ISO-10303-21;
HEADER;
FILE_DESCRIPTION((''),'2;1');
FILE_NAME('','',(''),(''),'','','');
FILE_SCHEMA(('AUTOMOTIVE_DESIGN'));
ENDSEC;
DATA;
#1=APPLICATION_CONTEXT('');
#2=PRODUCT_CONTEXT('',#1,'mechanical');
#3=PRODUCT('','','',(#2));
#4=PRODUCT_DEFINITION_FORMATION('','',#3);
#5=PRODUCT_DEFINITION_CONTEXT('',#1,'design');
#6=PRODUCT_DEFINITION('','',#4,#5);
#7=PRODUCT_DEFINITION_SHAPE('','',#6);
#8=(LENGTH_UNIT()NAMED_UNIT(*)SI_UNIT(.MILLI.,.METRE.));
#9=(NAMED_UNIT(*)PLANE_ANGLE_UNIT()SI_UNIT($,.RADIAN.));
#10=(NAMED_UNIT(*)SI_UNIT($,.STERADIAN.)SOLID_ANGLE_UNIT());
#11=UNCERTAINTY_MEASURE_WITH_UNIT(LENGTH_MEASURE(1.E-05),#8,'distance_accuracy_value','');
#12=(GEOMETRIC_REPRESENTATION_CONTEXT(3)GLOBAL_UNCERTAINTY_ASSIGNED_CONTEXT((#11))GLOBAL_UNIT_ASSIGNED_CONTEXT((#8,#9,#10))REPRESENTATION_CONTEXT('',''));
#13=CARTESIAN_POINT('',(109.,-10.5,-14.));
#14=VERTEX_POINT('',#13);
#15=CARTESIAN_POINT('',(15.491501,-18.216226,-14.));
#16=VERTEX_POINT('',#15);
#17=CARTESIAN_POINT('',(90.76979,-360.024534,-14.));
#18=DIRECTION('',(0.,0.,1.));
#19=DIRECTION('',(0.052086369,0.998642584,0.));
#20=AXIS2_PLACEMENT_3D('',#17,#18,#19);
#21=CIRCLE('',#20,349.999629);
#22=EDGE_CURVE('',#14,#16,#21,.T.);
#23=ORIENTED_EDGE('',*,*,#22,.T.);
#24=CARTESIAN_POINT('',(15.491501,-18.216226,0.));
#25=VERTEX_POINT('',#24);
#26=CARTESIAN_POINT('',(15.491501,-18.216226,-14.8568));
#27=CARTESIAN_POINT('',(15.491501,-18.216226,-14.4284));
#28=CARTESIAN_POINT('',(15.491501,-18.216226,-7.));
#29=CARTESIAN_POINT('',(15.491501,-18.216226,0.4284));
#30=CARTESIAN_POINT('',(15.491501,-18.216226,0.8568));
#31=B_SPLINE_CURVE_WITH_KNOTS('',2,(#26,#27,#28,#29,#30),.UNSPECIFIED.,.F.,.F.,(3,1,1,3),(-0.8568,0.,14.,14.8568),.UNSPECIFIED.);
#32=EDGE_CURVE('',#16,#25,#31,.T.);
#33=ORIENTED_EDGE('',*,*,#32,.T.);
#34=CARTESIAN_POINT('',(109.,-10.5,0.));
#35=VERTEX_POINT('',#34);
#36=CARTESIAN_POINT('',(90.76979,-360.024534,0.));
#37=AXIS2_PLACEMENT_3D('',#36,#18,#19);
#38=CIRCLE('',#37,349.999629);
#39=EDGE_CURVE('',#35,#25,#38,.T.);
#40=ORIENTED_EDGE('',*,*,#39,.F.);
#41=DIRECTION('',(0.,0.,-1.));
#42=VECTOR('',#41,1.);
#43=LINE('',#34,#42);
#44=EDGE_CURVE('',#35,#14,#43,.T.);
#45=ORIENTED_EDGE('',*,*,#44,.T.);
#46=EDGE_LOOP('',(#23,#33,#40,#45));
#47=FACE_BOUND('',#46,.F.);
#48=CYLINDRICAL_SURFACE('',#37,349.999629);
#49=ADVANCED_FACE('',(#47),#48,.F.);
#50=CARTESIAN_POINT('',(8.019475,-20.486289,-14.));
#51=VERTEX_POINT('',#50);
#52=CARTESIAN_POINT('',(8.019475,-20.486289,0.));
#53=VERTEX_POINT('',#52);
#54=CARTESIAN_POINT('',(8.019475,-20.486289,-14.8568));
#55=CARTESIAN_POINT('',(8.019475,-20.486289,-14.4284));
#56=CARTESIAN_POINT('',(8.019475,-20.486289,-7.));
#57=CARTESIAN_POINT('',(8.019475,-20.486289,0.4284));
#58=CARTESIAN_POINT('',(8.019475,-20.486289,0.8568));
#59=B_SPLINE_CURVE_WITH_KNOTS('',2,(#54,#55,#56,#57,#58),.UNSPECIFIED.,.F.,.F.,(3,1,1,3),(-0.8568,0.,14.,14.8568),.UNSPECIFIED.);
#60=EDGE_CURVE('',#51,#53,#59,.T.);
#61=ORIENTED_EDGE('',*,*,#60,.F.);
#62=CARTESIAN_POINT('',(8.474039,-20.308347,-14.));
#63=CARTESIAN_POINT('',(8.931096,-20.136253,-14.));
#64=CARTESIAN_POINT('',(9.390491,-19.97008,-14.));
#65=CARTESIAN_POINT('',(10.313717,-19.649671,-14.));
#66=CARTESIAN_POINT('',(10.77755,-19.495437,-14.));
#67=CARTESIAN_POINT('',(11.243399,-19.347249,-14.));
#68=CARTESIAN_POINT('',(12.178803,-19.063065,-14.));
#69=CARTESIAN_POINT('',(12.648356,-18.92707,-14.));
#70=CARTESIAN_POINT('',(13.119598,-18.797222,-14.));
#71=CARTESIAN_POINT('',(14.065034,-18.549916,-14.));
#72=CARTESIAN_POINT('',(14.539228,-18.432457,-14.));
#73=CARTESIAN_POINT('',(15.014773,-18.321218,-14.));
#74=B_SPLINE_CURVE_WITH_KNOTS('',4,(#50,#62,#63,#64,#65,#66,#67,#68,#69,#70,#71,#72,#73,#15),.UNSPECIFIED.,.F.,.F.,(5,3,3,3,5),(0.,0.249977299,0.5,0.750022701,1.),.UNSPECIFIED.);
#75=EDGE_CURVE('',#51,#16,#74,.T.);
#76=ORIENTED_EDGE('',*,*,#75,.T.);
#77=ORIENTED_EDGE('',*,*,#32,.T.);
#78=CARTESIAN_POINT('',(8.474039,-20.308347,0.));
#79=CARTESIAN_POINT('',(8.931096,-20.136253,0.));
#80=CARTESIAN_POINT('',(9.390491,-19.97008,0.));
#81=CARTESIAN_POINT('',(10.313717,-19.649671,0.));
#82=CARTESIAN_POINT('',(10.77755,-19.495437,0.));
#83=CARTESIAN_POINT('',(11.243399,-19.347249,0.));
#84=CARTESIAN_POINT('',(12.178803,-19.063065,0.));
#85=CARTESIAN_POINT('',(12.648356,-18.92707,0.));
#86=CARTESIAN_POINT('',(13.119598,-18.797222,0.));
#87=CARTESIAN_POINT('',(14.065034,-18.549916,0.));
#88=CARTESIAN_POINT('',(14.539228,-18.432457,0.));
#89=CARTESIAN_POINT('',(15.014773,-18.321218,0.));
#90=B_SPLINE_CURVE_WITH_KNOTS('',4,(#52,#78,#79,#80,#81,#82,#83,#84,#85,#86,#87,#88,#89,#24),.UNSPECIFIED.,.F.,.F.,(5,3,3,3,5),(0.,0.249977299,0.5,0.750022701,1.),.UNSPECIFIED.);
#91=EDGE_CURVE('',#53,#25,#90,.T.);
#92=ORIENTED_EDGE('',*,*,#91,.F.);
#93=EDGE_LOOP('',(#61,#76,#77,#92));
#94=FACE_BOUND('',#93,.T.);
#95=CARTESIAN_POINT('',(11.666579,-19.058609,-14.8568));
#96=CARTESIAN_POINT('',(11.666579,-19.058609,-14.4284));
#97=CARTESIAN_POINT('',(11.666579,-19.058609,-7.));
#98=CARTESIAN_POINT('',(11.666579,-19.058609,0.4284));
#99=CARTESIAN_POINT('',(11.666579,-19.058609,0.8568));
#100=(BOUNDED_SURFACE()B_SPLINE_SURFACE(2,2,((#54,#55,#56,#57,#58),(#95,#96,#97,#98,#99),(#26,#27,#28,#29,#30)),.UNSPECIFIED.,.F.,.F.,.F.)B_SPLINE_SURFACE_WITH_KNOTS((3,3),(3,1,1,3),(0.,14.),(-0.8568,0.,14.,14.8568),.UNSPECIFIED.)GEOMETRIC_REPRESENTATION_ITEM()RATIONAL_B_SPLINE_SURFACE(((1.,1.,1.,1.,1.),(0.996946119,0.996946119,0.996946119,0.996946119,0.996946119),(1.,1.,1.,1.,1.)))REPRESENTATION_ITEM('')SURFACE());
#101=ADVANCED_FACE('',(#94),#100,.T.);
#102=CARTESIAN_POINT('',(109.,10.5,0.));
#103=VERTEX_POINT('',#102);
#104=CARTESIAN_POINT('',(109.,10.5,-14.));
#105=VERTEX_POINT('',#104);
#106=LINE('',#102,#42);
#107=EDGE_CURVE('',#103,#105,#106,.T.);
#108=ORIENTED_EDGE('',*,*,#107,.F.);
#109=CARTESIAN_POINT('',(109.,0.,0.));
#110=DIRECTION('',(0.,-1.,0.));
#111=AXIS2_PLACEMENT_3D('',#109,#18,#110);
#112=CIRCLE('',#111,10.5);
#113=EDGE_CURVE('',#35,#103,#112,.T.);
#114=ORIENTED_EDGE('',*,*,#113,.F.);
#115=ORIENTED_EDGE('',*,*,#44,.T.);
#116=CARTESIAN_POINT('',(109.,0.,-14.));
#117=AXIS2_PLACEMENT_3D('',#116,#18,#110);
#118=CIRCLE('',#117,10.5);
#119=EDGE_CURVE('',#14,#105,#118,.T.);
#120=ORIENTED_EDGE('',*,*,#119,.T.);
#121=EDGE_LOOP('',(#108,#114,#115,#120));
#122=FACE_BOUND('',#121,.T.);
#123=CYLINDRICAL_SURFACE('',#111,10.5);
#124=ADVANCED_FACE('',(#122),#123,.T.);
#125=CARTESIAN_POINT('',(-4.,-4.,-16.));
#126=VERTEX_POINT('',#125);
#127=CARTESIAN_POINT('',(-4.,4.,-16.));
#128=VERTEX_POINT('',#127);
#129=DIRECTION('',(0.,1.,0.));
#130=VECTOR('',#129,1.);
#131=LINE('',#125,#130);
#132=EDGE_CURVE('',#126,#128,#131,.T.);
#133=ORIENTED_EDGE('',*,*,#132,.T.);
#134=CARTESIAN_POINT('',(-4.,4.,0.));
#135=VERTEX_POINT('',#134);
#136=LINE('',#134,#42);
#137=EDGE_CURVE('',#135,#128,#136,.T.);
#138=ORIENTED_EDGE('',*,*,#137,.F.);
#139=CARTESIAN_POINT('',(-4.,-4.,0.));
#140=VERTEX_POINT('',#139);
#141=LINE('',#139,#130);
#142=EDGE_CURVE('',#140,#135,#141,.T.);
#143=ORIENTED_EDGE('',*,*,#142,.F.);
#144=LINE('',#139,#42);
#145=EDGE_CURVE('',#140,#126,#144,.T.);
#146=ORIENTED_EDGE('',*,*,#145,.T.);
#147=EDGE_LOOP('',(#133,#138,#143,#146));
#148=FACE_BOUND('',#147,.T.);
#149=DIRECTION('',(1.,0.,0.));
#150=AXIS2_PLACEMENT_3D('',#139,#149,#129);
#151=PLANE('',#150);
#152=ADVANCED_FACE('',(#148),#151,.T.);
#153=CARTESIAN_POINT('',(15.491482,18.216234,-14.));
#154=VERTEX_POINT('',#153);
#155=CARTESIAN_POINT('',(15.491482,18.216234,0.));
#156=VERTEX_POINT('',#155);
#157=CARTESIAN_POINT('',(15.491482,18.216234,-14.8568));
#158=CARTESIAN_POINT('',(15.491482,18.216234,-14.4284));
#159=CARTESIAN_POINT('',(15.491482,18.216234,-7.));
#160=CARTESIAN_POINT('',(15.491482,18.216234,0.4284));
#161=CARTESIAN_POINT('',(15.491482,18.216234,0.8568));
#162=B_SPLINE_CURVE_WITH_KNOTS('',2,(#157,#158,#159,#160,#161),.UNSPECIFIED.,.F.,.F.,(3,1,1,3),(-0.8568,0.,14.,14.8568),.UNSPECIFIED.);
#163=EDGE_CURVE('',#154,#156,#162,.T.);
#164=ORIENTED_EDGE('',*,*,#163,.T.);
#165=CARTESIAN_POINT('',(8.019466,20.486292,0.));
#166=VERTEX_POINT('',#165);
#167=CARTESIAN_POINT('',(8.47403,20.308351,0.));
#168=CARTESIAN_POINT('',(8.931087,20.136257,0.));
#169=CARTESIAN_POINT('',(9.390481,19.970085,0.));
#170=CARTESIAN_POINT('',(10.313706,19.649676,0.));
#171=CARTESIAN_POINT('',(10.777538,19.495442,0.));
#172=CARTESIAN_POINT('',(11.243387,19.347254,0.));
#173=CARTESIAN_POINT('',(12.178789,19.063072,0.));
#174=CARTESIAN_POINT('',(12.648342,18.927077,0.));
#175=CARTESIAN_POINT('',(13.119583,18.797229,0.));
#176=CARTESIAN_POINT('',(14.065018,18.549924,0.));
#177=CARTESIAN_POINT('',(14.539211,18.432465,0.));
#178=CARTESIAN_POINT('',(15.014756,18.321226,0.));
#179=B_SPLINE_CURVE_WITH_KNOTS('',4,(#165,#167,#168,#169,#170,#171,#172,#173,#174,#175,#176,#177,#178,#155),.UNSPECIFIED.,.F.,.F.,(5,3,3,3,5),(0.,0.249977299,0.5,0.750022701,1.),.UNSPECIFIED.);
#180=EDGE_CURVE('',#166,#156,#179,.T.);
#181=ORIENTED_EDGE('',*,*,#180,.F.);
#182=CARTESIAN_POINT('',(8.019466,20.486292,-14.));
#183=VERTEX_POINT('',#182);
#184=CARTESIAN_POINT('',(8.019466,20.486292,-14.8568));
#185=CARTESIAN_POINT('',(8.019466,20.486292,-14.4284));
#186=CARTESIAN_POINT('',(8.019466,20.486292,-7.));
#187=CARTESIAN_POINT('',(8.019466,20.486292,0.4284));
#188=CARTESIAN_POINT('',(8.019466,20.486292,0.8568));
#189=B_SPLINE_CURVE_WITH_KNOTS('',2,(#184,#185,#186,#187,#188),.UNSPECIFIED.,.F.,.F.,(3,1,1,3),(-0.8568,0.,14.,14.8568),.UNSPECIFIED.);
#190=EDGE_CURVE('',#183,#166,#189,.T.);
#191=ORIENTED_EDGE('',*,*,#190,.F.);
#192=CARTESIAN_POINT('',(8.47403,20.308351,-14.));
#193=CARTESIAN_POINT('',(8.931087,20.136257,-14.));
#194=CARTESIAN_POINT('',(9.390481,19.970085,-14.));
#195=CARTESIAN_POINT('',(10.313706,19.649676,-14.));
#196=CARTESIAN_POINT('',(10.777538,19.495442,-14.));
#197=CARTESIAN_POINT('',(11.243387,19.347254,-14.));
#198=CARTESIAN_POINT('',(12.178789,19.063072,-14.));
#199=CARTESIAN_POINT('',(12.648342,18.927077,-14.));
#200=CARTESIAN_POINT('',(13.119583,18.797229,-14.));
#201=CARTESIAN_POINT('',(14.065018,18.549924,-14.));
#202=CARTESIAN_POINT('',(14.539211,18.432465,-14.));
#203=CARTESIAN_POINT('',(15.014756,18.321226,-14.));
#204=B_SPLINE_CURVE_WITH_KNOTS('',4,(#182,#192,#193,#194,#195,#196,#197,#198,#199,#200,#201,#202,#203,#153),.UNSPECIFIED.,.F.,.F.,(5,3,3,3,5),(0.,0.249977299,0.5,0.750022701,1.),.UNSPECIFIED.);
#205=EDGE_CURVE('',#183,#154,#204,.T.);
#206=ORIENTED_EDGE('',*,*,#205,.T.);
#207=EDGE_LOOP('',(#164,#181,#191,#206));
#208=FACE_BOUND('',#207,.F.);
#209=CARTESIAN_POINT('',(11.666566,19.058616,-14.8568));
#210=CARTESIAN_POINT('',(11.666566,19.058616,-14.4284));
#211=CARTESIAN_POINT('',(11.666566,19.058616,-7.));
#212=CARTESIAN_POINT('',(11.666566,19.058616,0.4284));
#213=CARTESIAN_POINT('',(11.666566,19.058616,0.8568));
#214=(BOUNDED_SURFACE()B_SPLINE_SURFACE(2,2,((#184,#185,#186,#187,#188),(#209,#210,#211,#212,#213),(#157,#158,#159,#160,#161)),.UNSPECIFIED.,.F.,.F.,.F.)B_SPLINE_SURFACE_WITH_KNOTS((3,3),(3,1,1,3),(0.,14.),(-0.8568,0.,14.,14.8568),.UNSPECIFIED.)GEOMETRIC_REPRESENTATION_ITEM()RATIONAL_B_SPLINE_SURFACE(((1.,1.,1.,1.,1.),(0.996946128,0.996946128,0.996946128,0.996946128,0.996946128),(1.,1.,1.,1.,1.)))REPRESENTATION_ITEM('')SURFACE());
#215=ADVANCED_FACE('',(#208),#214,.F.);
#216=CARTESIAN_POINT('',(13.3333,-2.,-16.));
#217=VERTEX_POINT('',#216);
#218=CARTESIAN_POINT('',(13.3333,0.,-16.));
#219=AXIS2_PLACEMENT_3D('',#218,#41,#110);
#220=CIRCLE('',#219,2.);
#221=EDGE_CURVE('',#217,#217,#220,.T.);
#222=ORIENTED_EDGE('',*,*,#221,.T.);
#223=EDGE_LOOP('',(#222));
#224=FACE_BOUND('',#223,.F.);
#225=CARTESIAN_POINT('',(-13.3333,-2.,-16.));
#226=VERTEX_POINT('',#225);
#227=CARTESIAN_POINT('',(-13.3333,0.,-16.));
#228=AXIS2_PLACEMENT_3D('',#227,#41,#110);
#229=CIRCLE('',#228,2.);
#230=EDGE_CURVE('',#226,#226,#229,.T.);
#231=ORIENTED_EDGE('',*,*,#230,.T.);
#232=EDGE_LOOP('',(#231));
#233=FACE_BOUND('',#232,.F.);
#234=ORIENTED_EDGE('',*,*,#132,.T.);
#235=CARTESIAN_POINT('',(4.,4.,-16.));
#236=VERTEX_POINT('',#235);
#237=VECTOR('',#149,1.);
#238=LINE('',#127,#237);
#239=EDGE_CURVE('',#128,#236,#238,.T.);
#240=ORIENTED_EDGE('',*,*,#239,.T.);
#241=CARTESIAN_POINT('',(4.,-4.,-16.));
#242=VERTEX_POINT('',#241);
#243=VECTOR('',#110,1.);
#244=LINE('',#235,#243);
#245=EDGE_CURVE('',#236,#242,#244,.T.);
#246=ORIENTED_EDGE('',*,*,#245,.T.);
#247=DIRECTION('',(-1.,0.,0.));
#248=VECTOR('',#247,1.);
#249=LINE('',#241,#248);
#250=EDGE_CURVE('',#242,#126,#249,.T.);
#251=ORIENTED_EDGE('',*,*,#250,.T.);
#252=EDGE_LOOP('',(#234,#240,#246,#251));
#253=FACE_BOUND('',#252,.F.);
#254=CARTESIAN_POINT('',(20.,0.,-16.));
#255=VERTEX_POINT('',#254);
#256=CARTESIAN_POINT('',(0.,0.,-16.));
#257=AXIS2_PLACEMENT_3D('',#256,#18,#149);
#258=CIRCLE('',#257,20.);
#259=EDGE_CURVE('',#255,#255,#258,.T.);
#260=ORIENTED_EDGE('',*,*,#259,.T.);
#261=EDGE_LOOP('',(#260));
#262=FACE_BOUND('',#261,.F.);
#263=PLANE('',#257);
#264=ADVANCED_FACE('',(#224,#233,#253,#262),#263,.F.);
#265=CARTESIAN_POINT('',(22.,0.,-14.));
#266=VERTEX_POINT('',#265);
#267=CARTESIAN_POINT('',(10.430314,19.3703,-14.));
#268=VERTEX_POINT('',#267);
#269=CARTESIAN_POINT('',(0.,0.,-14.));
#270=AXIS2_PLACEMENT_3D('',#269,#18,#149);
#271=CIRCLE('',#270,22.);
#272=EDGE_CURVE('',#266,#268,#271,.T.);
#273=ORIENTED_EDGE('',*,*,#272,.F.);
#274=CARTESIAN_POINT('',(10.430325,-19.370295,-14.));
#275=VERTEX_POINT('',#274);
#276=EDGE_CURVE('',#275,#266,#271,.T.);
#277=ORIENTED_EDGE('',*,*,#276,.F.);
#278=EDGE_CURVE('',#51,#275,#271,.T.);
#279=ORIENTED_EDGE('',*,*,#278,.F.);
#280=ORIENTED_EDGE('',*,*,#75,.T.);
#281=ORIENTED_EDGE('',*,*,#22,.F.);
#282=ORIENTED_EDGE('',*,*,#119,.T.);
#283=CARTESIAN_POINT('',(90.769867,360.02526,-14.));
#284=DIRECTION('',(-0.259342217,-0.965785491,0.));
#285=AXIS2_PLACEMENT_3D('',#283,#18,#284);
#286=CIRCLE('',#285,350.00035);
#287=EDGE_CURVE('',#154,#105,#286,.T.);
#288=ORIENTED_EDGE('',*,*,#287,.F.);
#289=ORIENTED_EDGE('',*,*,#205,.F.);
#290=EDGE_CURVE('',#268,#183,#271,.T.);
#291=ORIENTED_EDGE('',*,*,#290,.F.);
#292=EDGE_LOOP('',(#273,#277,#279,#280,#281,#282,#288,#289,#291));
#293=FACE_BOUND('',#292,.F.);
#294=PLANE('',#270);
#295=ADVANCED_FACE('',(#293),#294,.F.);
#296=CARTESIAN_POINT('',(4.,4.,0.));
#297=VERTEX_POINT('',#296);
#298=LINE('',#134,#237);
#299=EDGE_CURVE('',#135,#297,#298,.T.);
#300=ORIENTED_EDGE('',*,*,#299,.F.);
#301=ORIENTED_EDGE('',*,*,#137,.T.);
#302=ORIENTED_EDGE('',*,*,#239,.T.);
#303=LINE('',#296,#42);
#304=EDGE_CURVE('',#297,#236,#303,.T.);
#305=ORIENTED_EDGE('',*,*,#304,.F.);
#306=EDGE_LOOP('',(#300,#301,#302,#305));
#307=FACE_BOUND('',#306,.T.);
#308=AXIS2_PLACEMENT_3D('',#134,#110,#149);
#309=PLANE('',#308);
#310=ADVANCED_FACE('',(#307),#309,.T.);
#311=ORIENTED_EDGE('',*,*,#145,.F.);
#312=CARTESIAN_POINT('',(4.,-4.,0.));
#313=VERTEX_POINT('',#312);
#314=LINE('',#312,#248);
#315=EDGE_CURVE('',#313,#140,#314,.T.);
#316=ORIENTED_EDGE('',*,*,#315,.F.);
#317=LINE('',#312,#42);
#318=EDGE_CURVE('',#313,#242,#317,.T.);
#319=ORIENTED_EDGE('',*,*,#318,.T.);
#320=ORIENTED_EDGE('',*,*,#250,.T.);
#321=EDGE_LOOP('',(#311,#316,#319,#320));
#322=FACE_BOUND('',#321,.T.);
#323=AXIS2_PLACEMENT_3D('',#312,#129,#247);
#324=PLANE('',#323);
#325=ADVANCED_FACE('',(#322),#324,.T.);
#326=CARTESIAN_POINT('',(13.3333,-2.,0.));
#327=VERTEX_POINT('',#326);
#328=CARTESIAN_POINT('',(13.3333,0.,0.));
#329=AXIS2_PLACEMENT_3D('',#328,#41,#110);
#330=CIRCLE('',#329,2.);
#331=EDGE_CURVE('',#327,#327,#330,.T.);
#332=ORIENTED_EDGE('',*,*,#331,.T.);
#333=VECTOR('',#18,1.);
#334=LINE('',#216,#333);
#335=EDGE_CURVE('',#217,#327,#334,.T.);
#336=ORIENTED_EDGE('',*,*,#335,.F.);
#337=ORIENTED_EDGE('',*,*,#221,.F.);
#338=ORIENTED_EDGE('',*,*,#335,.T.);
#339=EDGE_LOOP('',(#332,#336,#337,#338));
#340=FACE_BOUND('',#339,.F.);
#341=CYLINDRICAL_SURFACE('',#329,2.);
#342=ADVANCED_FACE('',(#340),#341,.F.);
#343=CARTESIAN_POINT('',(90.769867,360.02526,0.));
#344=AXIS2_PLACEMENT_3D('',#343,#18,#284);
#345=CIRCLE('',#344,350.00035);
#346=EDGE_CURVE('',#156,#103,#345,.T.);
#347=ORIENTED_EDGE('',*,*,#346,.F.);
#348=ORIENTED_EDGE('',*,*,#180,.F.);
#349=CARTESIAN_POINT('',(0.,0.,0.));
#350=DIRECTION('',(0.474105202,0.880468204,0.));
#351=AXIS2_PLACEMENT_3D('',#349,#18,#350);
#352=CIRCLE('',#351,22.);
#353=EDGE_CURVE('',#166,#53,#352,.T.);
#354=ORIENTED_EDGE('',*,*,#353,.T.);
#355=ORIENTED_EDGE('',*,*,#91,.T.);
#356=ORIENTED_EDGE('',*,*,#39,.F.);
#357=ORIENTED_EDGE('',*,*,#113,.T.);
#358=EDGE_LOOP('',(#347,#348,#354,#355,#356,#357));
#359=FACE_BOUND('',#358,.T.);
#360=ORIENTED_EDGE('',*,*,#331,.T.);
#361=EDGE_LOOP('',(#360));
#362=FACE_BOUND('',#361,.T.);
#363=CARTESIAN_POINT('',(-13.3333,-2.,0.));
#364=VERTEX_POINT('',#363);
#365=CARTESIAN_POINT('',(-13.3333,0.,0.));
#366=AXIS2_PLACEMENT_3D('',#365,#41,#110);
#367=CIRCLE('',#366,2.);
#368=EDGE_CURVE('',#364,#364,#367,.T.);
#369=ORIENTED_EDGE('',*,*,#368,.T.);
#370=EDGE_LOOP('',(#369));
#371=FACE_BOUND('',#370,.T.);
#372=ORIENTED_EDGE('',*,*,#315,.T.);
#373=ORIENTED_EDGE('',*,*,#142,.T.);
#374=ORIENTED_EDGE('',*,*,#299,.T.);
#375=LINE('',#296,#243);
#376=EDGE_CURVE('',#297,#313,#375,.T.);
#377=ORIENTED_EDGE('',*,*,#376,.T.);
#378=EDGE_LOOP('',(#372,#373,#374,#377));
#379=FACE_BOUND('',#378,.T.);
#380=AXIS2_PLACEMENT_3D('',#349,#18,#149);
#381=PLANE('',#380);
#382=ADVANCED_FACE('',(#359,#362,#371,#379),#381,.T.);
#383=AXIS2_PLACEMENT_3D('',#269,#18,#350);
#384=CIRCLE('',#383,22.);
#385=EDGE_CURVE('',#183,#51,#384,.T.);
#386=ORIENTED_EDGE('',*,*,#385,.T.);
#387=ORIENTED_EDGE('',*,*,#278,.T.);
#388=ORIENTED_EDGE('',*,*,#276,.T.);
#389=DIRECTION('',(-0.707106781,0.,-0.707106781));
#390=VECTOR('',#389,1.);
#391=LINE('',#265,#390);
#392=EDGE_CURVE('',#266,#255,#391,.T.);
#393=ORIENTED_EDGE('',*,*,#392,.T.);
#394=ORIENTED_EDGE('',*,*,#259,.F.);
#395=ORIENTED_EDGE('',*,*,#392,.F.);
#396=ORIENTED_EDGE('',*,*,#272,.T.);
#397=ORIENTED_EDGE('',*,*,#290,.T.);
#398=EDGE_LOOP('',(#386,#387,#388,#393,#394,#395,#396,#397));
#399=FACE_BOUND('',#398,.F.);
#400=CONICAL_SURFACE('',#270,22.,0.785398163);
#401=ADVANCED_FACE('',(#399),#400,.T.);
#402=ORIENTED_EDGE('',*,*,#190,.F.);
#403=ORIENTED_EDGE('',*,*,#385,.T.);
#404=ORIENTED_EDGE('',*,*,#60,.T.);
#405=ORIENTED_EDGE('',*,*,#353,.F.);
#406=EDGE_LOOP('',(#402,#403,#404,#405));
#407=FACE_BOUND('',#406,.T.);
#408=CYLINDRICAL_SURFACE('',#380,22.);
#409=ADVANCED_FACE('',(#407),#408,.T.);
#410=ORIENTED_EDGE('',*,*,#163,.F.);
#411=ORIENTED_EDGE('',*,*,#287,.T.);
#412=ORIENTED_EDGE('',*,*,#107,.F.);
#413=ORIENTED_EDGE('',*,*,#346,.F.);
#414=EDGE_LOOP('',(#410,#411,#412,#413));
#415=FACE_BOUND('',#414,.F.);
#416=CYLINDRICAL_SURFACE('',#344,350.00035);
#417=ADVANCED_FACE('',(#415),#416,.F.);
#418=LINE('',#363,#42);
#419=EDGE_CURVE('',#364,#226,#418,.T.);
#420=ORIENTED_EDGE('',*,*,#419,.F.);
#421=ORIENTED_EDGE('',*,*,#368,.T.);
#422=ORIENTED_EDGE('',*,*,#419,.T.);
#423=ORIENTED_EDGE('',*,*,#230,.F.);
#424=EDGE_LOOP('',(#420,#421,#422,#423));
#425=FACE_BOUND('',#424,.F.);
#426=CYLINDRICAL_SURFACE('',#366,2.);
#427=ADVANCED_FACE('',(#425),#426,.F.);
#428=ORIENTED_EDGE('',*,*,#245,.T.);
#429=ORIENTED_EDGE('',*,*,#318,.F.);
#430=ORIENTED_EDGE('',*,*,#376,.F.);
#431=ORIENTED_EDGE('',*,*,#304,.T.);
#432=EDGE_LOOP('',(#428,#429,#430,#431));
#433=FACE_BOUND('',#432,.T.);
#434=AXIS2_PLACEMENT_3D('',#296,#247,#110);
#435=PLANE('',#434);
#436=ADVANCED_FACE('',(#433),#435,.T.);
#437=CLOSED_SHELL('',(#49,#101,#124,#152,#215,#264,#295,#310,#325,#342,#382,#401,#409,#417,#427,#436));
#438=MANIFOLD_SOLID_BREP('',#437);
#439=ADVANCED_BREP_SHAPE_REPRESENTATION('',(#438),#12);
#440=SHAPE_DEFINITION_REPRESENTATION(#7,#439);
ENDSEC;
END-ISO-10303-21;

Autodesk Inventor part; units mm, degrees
ref_plane "YZ Plane" through (0, 0, 0) normal (1, 0, 0) x (0, 1, 0)
ref_plane "XZ Plane" through (0, 0, 0) normal (0, 1, 0) x (-1, 0, 0)
ref_plane "XY Plane" through (0, 0, 0) normal (0, 0, 1) x (1, 0, 0)
sketch "Эскиз1" plane through (0, 0, 0) normal (0, 0, 1) x (1, 0, 0)
  circle A0 centre (0, 0) radius 22
  line L0 (-4, 4) -> (4, 4)
  line L1 (4, 4) -> (4, -4)
  line L2 (4, -4) -> (-4, -4)
  line L3 (-4, -4) -> (-4, 4)
  line L4 (-4, 4) -> (4, -4) construction
  line L5 (4, 4) -> (-4, -4) construction
  circle A1 centre (0, 13.3333) radius 2
  circle A2 centre (-13.3333, 0) radius 2
  circle A3 centre (0, -13.3333) radius 2
  circle A4 centre (13.3333, 0) radius 2
  dimension "d0" = 44
  dimension "d1" = 8
  dimension "d2" = 8
  dimension "d3" = 4
  dimension "d5" = 13.3333
  dimension "d6" = 0
  dimension "d9" = 360
extrude "Выдавливание1" add sketch "Эскиз1" against normal blind 16 contours A0 | A1 | A2 | A3 | A4
hole "Отверстие1" at (13.3333, 0, 0) direction (0, 0, -1) diameter 4 end through all clearance for "с потайной головкой ГОСТ 12876-67" size "M4" standard "ГОСТ"
hole "Отверстие2" at (-13.3333, 0, 0) direction (0, 0, -1) diameter 4 end through all clearance for "с потайной головкой ГОСТ 12876-67" size "M4" standard "ГОСТ"
chamfer "Фаска1" distance 2 angle 45 1 edges at (-22, 0, -16)
ref_plane "РабПлоскость1" through (109, -4, 0) normal (-1, 0, 0) x (0, 0, 1)
sketch "Эскиз2" plane through (4, -4, 0) normal (-1, 0, 0) x (0, 0, 1)
  line L0 (0, -18) -> (0, 26) projected
  line L1 (-14, 26) -> (-14, -18) projected
  line L2 (-14, -18) -> (0, -18)
  line L3 (-14, 26) -> (0, 26)
sketch "Эскиз3" plane through (109, -4, 0) normal (-1, 0, 0) x (0, 0, 1)
  line L0 (0, -18) -> (0, 26) construction
  line L1 (-14, 26) -> (-14, -18) construction
  line L2 (0, -6.5) -> (-14, -6.5)
  line L3 (-14, -6.5) -> (-14, 14.5)
  line L4 (-14, 14.5) -> (0, 14.5)
  line L5 (0, 14.5) -> (0, -6.5)
  point P0 (0, 4)
  point P1 (0, 4)
  dimension "d53" = 21
  dimension "d54" = 14
sketch "Эскиз4" plane through (0, 0, 0) normal (0, 0, 1) x (1, 0, 0)
  circle A0 centre (0, 0) radius 22 construction
  line L0 (0, -22) -> (0, -4)
  arc A1 (0, 22) -> (109, 10.5) centre (90.7698, 360.0249) ccw
  arc A2 (109, -10.5) -> (0, -22) centre (90.7698, -360.0249) ccw
  line L1 (109, -10.5) -> (109, 10.5)
  circle A3 centre (13.3333, 0) radius 2 projected
  line L2 (4, 4) -> (4, -4) projected
  line L3 (-4, 4) -> (4, 4) projected
  line L4 (4, -4) -> (-4, -4) projected
  line L5 (0, -4) -> (0, 4) construction
  line L6 (0, 4) -> (0, 22)
  line L7 (0, -43.0669) -> (0, 43.0669) construction
  arc A4 (109, -10.5) -> (109, 10.5) centre (109, 0) ccw
  point P0 (109, 10.5)
  point P1 (109, -10.5)
  dimension "d55" = 350
  dimension "d56" = 350
extrude "Выдавливание2" add sketch "Эскиз4" against normal blind 14
fillet "Сопряжение1" radius 50 2 edges at (10.4303, 19.3703, -7) (10.4303, -19.3703, -7)
equation "\"d53\" = 1.5 * d54"
equation "\"d56\" = d55"
properties part number "Ручной привод"
